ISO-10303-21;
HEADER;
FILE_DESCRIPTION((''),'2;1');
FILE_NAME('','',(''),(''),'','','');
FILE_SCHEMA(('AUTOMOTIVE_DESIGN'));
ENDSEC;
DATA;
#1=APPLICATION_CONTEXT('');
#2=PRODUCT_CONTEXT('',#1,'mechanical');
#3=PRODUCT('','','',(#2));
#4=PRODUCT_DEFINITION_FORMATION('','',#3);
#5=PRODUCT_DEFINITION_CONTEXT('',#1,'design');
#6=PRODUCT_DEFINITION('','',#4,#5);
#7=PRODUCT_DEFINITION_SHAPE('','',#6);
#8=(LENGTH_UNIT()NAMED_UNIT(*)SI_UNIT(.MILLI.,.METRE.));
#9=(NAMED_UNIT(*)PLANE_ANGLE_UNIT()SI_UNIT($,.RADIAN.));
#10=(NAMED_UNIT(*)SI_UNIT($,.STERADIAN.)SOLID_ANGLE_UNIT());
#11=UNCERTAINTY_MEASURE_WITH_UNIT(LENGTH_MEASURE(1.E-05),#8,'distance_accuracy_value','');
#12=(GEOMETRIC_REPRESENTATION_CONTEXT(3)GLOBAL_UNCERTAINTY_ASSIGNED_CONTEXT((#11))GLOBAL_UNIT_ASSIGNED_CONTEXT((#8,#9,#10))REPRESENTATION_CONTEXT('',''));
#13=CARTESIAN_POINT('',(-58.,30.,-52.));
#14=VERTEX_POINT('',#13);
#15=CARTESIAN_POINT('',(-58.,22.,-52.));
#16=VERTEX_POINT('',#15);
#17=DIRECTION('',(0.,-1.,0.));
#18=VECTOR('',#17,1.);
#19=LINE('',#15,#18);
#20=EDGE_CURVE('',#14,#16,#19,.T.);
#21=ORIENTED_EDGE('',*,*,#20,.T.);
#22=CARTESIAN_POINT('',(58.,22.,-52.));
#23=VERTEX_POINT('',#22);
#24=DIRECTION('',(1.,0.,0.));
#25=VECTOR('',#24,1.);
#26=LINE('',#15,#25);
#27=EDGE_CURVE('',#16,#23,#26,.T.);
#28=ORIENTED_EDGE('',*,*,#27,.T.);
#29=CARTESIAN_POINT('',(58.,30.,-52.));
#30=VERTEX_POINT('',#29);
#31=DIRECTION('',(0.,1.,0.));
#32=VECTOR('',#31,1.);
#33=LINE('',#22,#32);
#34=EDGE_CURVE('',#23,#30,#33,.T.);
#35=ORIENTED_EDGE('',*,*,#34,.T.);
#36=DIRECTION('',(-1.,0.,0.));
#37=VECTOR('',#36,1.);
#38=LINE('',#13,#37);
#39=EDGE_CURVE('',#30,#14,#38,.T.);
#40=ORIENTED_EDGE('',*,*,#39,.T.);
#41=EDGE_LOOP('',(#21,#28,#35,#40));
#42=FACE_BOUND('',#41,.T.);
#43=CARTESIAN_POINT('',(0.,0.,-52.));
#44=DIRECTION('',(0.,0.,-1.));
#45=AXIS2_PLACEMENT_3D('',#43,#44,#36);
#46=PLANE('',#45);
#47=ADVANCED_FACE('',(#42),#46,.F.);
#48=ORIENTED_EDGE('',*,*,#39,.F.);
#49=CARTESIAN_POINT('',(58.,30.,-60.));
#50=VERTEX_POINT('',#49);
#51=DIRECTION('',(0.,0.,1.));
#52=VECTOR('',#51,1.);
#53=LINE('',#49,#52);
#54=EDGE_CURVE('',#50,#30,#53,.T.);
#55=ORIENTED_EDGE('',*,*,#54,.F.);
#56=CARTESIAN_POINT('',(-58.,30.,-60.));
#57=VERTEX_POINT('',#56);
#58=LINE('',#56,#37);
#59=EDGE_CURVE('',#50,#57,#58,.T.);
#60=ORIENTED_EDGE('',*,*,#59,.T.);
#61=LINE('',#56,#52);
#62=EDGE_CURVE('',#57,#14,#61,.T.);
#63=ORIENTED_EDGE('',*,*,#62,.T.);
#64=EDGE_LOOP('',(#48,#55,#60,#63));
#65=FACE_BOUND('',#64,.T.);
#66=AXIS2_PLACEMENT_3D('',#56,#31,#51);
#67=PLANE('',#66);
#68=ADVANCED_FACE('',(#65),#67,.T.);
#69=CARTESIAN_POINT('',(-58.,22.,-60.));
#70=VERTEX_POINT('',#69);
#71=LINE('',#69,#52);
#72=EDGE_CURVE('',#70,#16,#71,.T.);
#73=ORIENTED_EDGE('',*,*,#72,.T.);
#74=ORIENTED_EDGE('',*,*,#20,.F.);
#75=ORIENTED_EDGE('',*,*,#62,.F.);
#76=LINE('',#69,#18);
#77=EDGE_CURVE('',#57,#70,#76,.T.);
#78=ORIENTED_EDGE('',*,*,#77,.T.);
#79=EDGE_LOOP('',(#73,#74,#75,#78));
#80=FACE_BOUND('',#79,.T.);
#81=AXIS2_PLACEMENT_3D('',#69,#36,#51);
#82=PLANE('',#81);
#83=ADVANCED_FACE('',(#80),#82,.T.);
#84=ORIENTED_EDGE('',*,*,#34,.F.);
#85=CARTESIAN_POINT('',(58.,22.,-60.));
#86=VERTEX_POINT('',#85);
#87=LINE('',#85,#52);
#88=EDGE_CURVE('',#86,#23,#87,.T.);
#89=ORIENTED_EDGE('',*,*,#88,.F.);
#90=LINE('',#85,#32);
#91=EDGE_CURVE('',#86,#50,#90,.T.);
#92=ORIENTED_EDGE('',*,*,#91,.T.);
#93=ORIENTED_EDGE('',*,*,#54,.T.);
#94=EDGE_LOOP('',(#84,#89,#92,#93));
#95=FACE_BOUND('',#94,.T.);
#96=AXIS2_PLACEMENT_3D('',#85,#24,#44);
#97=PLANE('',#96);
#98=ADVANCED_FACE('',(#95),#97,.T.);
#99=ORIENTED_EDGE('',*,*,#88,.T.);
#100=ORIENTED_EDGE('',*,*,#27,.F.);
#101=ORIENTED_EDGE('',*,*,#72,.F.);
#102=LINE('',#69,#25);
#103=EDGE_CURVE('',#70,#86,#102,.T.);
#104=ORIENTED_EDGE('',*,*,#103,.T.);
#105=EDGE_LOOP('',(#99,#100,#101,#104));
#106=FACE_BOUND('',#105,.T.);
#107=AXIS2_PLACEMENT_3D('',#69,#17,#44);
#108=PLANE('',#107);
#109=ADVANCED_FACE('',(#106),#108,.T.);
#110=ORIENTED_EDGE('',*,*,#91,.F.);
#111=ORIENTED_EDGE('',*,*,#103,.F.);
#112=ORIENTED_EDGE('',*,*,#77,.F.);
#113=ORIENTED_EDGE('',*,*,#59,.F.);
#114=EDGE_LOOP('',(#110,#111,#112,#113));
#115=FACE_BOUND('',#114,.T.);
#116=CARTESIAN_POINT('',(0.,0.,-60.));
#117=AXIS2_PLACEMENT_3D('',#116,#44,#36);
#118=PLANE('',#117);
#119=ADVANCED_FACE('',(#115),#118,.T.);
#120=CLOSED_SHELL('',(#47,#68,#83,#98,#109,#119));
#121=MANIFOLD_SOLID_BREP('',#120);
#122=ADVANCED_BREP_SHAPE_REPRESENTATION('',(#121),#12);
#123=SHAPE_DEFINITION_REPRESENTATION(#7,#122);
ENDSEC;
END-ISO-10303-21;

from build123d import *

# Parameters (mm, degrees)
LRAF_CAPRAZ_CUBUK_8X8_1_START = -52
SKETCH1_W                     = 116
SKETCH1_H                     = 8
LRAF_CAPRAZ_CUBUK_8X8_1_DEPTH = 8


with BuildPart() as part:
    # Sketch1 → LRAF_capraz_cubuk_8x8_1 (new body)
    with BuildSketch(Plane.XY.offset(LRAF_CAPRAZ_CUBUK_8X8_1_START)):
        with Locations((0, 26)):
            Rectangle(SKETCH1_W, SKETCH1_H)
    extrude(amount=-LRAF_CAPRAZ_CUBUK_8X8_1_DEPTH)


solid = part.part
